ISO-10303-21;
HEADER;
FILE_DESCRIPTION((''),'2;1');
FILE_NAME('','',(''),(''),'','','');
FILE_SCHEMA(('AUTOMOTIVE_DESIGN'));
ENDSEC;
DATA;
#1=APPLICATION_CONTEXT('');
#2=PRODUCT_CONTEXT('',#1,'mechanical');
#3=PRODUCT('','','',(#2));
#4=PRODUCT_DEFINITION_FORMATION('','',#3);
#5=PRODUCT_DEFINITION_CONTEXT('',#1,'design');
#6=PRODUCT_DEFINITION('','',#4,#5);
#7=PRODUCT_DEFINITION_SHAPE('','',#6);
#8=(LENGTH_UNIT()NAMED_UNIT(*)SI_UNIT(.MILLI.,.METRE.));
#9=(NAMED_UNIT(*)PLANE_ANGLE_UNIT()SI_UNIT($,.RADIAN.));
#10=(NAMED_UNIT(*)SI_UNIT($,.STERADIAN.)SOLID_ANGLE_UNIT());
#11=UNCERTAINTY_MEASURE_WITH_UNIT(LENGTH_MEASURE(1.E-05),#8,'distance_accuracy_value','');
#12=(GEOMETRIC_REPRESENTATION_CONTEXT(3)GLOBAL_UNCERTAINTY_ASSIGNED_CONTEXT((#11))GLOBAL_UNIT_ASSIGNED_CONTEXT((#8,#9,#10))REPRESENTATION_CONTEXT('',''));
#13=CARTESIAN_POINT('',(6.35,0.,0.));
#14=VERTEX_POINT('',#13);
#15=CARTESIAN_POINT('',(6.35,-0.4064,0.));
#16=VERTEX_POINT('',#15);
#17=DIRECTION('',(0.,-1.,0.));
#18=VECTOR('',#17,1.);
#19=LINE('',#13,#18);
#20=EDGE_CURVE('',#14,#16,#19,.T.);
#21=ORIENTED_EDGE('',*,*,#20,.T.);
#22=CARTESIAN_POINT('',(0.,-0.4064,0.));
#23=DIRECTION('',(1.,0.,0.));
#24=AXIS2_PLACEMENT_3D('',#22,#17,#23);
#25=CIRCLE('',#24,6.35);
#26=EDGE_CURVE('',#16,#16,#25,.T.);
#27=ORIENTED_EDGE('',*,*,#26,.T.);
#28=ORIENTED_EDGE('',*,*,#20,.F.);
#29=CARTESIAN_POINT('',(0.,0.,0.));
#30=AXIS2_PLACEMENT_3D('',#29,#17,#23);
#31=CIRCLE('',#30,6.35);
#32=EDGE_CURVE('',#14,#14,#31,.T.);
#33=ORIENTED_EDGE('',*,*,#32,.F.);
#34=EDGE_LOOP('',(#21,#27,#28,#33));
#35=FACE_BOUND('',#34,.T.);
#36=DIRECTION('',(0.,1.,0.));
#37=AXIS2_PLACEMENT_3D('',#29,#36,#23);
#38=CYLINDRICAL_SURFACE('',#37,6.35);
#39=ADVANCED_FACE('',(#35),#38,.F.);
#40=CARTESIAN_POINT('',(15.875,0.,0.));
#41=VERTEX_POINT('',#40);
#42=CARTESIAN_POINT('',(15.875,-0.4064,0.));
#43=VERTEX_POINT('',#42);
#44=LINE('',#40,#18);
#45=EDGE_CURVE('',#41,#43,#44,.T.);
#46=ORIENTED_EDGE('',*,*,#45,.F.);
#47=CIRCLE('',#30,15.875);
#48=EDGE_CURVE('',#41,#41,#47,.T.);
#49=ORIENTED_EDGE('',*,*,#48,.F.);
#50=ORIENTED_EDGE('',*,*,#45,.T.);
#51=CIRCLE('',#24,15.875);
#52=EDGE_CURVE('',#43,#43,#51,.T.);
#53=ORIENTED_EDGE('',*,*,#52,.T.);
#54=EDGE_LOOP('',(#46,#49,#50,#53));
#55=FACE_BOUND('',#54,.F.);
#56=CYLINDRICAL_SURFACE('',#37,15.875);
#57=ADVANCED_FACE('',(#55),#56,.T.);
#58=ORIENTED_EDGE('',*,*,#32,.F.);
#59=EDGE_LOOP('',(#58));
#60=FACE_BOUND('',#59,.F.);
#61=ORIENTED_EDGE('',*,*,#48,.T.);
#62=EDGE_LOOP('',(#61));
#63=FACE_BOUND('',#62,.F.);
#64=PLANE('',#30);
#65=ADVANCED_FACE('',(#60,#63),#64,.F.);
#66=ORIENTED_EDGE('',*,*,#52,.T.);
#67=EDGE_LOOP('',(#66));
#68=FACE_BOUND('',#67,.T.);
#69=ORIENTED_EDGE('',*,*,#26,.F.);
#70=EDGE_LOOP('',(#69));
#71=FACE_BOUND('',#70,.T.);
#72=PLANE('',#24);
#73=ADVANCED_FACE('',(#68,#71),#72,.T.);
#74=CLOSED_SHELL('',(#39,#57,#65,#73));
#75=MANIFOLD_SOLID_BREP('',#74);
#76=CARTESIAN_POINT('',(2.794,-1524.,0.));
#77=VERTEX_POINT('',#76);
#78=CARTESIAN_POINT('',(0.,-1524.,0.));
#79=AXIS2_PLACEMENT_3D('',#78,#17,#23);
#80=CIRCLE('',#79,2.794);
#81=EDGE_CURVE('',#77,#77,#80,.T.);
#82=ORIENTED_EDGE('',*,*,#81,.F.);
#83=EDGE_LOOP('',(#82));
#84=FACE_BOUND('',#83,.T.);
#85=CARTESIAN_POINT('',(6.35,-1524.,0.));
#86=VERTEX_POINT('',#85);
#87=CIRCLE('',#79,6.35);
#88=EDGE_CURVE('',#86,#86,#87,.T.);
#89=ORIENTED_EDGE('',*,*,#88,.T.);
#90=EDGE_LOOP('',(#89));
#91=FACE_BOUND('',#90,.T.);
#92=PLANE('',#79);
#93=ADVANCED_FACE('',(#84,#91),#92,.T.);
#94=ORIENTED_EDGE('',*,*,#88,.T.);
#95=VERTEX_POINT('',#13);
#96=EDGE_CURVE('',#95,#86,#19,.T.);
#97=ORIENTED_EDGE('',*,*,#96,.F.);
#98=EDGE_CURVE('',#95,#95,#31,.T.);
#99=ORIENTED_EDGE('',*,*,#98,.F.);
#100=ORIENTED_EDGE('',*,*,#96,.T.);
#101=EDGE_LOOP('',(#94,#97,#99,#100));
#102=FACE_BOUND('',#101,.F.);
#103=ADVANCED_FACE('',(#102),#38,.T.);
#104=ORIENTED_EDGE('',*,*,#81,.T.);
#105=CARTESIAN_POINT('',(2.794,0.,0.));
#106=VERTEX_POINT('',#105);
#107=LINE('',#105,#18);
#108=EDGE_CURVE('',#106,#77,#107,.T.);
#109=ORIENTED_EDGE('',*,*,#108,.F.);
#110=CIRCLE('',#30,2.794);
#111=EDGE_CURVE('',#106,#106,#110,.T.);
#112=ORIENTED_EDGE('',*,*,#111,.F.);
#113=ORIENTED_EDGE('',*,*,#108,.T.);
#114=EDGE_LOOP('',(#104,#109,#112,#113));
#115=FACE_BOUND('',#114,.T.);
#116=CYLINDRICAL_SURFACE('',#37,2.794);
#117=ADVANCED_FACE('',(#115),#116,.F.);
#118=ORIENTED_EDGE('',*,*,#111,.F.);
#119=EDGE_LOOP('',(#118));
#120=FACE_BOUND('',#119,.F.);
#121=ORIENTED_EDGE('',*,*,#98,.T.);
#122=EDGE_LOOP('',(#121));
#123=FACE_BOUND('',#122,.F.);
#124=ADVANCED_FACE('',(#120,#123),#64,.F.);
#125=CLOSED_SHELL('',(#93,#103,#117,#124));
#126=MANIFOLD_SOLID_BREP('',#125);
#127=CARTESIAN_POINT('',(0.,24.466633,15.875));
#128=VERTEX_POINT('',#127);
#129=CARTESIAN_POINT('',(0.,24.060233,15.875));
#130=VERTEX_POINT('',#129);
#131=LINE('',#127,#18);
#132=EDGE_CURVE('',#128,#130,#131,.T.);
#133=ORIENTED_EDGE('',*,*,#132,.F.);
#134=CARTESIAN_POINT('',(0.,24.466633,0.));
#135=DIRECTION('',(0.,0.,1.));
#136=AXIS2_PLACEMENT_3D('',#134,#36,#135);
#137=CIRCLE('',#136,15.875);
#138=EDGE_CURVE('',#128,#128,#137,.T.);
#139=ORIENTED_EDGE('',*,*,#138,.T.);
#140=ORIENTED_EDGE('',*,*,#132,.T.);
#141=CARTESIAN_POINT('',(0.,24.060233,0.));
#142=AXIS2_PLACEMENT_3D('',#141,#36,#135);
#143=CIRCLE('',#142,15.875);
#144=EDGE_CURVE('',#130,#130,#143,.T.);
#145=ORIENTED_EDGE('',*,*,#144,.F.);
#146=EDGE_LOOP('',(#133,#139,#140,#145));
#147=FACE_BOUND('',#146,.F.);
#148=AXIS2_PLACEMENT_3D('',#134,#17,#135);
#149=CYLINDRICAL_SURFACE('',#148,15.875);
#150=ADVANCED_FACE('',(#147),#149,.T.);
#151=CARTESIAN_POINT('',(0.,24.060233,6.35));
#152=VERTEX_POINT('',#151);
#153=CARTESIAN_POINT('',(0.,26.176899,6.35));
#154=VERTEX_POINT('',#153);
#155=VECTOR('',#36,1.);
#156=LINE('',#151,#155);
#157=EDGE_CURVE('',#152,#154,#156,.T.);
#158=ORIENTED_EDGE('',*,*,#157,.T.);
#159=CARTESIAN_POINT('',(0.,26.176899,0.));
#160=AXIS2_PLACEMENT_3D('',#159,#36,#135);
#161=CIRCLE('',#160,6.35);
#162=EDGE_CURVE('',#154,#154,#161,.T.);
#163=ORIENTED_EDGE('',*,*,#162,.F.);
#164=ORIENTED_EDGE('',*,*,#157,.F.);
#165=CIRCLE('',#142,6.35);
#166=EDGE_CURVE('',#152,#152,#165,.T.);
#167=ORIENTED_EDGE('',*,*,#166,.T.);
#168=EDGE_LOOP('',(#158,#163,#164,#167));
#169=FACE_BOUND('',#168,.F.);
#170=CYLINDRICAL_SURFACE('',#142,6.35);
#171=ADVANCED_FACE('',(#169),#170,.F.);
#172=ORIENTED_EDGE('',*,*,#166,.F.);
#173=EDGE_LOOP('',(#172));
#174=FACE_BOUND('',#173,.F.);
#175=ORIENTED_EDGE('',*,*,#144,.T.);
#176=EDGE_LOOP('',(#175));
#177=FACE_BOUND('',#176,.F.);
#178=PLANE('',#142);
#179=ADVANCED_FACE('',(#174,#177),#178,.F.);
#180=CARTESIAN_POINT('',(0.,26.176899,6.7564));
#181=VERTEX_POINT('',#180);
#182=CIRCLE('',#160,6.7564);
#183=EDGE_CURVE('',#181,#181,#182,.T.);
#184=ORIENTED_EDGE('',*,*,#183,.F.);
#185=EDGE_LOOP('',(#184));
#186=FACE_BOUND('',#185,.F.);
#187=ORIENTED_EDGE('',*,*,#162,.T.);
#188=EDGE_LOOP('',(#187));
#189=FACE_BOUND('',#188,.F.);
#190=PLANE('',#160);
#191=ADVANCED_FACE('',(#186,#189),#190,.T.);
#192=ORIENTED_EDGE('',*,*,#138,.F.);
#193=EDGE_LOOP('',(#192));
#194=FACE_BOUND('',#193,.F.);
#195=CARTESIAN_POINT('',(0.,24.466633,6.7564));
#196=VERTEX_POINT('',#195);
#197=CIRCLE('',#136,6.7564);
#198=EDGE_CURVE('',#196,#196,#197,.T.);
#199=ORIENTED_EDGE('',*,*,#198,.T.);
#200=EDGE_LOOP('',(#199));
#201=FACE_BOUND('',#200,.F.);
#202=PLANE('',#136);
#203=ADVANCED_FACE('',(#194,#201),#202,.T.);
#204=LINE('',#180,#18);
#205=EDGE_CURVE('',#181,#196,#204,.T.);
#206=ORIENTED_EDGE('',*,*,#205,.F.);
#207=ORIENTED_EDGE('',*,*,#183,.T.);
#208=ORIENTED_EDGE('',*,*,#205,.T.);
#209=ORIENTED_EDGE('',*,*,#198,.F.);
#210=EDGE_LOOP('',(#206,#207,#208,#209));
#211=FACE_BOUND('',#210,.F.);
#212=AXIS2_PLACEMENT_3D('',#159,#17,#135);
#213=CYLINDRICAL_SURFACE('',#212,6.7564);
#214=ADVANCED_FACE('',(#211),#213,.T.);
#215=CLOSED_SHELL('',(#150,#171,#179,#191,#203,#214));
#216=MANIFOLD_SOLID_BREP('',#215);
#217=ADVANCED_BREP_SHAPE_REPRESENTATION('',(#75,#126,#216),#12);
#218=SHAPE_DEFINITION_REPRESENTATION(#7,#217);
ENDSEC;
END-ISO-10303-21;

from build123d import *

# Parameters (mm, degrees)
F0_R     = 15.875
F0_R_2   = 6.35
F1_DEPTH = 0.4064
F2_R     = 6.35
F2_R_2   = 2.794
F3_DEPTH = 1524


with BuildPart() as f1:
    # F0 (on Front) → F1 (new body)
    with BuildSketch(Plane.XZ):
        Circle(F0_R)
        Circle(F0_R_2, mode=Mode.SUBTRACT)
    extrude(amount=F1_DEPTH)


with BuildPart() as f3:
    # F2 (on Front) → F3 (new body)
    with BuildSketch(Plane.XZ):
        Circle(F2_R)
        Circle(F2_R_2, mode=Mode.SUBTRACT)
    extrude(amount=F3_DEPTH)


with BuildPart() as f5:
    # F4 (on Right) → F5 (revolve)
    with BuildSketch(Plane.YZ):
        Polygon((24.060233, 6.35), (26.176899, 6.35), (26.176899, 6.7564), (24.466633, 6.7564), (24.466633, 15.875), (24.060233, 15.875), align=None)
    revolve(axis=Axis((0, 25.4, 0), (0, 1, 0)))


solid = Compound([f1.part, f3.part, f5.part])
